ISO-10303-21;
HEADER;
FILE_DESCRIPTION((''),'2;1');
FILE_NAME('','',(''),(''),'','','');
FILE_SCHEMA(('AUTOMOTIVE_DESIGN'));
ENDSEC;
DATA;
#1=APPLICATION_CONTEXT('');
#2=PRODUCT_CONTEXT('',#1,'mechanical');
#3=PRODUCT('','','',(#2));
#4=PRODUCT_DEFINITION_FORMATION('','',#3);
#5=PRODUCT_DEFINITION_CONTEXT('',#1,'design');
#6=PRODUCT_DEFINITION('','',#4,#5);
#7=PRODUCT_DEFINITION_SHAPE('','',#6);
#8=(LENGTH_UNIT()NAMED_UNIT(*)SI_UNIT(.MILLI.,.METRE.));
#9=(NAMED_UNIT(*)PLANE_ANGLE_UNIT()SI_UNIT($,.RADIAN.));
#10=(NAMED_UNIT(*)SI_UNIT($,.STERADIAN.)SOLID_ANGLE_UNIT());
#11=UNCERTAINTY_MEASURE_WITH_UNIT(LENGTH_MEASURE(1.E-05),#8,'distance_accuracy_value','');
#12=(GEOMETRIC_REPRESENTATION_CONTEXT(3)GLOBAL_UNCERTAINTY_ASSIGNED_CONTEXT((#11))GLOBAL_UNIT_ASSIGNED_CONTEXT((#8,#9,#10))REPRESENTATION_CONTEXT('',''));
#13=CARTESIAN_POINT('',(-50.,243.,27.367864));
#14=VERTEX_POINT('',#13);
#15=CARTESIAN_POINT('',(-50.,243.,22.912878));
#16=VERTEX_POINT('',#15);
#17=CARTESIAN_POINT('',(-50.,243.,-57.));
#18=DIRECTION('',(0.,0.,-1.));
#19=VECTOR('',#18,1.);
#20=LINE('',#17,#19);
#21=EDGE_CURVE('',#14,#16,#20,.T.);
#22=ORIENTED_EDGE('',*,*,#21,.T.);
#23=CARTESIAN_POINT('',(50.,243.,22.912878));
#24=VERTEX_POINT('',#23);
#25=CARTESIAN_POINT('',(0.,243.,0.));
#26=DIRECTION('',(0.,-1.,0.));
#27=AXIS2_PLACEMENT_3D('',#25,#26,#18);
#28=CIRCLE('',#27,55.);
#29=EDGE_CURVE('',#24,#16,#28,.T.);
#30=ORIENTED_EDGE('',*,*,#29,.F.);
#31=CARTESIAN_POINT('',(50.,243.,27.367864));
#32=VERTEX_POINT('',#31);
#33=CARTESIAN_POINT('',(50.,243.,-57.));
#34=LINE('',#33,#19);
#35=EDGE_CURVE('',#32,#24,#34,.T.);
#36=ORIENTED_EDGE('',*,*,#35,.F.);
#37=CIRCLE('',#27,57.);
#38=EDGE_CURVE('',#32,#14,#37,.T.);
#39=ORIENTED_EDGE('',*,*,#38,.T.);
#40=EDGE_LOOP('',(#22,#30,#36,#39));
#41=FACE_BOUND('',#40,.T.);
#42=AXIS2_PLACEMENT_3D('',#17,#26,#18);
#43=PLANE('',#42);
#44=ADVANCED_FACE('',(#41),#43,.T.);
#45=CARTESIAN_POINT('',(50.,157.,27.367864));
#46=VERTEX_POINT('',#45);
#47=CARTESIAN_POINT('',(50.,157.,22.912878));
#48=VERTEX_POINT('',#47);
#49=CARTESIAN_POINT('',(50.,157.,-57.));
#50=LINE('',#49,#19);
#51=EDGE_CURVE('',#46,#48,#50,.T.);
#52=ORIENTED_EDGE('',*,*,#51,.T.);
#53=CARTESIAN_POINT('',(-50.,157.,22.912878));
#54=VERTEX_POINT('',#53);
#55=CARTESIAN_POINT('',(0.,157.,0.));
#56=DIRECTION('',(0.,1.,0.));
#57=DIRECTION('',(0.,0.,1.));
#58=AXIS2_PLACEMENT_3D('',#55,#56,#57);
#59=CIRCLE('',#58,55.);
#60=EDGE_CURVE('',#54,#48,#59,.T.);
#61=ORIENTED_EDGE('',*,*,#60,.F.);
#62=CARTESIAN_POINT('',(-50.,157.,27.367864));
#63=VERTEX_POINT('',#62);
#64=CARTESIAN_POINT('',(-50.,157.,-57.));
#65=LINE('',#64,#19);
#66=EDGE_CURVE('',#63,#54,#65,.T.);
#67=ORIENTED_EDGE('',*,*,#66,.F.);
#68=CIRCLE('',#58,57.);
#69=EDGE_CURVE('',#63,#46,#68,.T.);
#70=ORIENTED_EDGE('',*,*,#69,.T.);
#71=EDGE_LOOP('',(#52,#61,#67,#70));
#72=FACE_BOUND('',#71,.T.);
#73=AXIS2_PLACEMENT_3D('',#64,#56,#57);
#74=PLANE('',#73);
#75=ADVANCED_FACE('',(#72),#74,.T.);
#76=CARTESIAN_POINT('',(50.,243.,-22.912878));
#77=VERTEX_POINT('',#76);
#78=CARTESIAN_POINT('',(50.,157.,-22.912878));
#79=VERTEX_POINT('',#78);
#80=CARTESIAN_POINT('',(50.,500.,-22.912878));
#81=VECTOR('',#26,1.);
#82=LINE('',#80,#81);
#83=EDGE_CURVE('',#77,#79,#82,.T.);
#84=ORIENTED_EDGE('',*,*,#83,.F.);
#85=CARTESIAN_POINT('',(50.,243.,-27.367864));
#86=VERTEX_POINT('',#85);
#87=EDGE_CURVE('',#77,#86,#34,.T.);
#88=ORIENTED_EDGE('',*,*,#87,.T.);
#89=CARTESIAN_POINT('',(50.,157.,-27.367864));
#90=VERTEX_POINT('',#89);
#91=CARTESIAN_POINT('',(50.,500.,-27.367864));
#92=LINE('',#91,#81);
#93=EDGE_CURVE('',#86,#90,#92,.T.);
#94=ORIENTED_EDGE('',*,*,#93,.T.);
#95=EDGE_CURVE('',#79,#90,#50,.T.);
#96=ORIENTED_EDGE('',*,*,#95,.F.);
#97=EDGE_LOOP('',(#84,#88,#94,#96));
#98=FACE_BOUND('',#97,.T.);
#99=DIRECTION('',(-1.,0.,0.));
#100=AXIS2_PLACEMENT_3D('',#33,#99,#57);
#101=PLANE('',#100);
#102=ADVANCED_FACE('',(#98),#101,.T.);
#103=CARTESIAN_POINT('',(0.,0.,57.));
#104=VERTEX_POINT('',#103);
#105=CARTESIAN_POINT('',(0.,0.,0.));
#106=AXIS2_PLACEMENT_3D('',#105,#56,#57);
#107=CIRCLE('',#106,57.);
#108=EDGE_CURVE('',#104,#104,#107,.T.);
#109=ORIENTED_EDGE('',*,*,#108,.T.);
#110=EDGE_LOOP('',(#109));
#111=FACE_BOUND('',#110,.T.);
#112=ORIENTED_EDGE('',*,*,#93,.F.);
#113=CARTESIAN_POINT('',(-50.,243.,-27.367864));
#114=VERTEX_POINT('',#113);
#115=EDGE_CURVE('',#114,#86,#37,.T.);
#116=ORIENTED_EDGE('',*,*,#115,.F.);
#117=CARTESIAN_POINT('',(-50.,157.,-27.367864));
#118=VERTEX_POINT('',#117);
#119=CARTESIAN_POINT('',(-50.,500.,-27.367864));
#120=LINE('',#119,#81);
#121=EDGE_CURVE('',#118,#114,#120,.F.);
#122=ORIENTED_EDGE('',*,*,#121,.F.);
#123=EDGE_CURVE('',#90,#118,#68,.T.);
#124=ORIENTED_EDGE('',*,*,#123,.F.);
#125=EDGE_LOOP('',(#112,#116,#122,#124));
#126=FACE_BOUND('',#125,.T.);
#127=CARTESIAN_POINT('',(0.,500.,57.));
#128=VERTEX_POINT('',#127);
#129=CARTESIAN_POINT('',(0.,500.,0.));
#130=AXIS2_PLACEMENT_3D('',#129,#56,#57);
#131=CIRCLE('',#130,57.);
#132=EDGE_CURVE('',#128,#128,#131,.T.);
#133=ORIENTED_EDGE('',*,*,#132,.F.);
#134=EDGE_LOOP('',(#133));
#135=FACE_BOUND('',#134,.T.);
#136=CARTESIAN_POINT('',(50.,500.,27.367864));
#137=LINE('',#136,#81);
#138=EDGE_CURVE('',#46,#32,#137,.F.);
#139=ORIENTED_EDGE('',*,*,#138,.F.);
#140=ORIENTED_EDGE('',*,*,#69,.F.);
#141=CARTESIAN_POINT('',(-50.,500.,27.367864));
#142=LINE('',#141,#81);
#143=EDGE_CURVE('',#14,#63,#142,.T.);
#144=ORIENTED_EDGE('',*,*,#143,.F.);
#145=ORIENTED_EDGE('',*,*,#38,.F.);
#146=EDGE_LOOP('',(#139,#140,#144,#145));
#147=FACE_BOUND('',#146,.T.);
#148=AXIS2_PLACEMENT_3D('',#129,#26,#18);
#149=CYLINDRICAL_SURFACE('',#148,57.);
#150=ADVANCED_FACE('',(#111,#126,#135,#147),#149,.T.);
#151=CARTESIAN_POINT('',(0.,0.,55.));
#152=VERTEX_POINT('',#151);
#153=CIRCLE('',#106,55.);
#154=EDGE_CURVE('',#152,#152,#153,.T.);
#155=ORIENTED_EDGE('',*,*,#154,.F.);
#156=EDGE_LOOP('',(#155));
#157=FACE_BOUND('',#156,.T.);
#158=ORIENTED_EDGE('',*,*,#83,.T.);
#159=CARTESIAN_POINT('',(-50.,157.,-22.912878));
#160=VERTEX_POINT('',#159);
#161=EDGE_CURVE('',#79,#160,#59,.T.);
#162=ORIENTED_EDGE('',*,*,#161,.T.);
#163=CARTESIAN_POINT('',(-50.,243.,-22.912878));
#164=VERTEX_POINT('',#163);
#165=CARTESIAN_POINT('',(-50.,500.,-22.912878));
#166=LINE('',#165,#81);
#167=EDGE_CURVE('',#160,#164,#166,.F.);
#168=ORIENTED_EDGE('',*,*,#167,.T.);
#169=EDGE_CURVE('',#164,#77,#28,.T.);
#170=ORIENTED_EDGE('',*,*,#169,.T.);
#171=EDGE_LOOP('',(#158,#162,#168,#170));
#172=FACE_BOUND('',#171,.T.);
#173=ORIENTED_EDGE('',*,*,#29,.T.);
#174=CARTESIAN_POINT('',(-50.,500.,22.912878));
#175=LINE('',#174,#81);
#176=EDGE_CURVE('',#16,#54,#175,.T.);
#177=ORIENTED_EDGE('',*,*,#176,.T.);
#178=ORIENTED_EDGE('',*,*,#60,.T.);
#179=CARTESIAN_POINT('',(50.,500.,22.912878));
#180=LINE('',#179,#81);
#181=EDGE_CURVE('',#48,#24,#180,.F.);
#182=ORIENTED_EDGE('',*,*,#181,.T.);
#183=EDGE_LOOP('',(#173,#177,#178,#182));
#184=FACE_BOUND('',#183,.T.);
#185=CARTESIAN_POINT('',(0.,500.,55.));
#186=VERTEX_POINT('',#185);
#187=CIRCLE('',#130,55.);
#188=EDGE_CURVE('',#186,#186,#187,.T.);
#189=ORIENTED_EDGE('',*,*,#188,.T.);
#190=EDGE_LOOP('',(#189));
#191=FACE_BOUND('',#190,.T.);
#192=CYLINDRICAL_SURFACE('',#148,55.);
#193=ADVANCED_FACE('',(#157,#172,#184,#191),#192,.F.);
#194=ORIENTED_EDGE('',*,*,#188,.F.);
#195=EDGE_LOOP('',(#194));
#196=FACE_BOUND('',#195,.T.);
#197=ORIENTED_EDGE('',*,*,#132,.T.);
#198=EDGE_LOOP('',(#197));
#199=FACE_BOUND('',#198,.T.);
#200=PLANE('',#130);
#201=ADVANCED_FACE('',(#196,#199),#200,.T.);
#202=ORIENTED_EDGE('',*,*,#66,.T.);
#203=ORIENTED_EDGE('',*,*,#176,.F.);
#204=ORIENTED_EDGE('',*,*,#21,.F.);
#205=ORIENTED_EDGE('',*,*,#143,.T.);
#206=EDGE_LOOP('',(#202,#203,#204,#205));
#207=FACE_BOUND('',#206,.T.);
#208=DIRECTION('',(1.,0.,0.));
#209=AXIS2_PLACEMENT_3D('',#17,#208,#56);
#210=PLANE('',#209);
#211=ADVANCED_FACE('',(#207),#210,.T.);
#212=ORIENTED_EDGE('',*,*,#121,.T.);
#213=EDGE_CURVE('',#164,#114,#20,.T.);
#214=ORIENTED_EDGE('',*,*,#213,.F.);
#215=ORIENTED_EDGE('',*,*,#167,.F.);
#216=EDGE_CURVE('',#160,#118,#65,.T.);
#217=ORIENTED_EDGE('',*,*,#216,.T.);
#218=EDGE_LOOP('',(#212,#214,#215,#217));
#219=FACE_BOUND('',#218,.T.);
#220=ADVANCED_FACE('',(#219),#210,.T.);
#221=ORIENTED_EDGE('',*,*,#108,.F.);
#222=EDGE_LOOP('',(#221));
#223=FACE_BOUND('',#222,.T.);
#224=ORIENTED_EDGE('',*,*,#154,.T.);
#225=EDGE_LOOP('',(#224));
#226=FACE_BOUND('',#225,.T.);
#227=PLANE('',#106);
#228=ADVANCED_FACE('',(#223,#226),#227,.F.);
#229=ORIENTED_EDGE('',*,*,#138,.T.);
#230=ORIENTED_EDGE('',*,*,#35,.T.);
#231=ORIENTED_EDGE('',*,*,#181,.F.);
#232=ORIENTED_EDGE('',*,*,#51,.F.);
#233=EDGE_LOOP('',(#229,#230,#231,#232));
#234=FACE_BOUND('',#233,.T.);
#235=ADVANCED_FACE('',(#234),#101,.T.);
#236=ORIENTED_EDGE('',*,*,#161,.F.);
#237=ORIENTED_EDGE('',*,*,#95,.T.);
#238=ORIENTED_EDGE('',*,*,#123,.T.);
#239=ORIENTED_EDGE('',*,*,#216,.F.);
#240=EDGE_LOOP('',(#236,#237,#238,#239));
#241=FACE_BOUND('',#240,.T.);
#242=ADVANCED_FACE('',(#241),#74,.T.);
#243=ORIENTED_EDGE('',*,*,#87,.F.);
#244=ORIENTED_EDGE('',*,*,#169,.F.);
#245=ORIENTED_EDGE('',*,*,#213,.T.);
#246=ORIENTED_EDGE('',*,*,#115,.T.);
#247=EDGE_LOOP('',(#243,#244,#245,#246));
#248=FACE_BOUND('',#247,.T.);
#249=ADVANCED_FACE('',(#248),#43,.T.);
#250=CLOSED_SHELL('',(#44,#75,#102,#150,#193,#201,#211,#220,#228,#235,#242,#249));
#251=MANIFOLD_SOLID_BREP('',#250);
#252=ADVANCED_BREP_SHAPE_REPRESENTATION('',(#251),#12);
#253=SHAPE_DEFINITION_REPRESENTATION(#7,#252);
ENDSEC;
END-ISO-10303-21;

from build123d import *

# Parameters (mm, degrees)
SKETCH1_R               = 57
SKETCH1_R_2             = 55
BOSS_EXTRUDE1_DEPTH     = 500
CUT_EXTRUDE2_DEPTH      = 699.027128345
CUT_EXTRUDE2_DEPTH_BACK = 699.027128345
SKETCH2_W               = 100
SKETCH2_H               = 86


with BuildPart() as part:
    # Sketch1 → Boss-Extrude1 (new body)
    with BuildSketch(Plane(origin=(0, 0, 0), x_dir=(1, 0, 0), z_dir=(0, 1, 0))):
        with Locations(Location((0, 0, 0), (0, 0, 270))):
            Circle(SKETCH1_R)
        with Locations(Location((0, 0, 0), (0, 0, 270))):
            Circle(SKETCH1_R_2, mode=Mode.SUBTRACT)
    extrude(amount=BOSS_EXTRUDE1_DEPTH)

    # Sketch2 → Cut-Extrude2 (cut, two sides: drawn at the far end of the back side and taken through both)
    with BuildSketch(Plane(origin=(-168.932916892, 99.436512964, -468.114351188), x_dir=(1, 0, 0), z_dir=(0, 0, 1)).offset(-CUT_EXTRUDE2_DEPTH_BACK)):
        with Locations((168.932916892, 100.563487036)):
            Rectangle(SKETCH2_W, SKETCH2_H)
    extrude(amount=CUT_EXTRUDE2_DEPTH + CUT_EXTRUDE2_DEPTH_BACK, mode=Mode.SUBTRACT)


solid = part.part
